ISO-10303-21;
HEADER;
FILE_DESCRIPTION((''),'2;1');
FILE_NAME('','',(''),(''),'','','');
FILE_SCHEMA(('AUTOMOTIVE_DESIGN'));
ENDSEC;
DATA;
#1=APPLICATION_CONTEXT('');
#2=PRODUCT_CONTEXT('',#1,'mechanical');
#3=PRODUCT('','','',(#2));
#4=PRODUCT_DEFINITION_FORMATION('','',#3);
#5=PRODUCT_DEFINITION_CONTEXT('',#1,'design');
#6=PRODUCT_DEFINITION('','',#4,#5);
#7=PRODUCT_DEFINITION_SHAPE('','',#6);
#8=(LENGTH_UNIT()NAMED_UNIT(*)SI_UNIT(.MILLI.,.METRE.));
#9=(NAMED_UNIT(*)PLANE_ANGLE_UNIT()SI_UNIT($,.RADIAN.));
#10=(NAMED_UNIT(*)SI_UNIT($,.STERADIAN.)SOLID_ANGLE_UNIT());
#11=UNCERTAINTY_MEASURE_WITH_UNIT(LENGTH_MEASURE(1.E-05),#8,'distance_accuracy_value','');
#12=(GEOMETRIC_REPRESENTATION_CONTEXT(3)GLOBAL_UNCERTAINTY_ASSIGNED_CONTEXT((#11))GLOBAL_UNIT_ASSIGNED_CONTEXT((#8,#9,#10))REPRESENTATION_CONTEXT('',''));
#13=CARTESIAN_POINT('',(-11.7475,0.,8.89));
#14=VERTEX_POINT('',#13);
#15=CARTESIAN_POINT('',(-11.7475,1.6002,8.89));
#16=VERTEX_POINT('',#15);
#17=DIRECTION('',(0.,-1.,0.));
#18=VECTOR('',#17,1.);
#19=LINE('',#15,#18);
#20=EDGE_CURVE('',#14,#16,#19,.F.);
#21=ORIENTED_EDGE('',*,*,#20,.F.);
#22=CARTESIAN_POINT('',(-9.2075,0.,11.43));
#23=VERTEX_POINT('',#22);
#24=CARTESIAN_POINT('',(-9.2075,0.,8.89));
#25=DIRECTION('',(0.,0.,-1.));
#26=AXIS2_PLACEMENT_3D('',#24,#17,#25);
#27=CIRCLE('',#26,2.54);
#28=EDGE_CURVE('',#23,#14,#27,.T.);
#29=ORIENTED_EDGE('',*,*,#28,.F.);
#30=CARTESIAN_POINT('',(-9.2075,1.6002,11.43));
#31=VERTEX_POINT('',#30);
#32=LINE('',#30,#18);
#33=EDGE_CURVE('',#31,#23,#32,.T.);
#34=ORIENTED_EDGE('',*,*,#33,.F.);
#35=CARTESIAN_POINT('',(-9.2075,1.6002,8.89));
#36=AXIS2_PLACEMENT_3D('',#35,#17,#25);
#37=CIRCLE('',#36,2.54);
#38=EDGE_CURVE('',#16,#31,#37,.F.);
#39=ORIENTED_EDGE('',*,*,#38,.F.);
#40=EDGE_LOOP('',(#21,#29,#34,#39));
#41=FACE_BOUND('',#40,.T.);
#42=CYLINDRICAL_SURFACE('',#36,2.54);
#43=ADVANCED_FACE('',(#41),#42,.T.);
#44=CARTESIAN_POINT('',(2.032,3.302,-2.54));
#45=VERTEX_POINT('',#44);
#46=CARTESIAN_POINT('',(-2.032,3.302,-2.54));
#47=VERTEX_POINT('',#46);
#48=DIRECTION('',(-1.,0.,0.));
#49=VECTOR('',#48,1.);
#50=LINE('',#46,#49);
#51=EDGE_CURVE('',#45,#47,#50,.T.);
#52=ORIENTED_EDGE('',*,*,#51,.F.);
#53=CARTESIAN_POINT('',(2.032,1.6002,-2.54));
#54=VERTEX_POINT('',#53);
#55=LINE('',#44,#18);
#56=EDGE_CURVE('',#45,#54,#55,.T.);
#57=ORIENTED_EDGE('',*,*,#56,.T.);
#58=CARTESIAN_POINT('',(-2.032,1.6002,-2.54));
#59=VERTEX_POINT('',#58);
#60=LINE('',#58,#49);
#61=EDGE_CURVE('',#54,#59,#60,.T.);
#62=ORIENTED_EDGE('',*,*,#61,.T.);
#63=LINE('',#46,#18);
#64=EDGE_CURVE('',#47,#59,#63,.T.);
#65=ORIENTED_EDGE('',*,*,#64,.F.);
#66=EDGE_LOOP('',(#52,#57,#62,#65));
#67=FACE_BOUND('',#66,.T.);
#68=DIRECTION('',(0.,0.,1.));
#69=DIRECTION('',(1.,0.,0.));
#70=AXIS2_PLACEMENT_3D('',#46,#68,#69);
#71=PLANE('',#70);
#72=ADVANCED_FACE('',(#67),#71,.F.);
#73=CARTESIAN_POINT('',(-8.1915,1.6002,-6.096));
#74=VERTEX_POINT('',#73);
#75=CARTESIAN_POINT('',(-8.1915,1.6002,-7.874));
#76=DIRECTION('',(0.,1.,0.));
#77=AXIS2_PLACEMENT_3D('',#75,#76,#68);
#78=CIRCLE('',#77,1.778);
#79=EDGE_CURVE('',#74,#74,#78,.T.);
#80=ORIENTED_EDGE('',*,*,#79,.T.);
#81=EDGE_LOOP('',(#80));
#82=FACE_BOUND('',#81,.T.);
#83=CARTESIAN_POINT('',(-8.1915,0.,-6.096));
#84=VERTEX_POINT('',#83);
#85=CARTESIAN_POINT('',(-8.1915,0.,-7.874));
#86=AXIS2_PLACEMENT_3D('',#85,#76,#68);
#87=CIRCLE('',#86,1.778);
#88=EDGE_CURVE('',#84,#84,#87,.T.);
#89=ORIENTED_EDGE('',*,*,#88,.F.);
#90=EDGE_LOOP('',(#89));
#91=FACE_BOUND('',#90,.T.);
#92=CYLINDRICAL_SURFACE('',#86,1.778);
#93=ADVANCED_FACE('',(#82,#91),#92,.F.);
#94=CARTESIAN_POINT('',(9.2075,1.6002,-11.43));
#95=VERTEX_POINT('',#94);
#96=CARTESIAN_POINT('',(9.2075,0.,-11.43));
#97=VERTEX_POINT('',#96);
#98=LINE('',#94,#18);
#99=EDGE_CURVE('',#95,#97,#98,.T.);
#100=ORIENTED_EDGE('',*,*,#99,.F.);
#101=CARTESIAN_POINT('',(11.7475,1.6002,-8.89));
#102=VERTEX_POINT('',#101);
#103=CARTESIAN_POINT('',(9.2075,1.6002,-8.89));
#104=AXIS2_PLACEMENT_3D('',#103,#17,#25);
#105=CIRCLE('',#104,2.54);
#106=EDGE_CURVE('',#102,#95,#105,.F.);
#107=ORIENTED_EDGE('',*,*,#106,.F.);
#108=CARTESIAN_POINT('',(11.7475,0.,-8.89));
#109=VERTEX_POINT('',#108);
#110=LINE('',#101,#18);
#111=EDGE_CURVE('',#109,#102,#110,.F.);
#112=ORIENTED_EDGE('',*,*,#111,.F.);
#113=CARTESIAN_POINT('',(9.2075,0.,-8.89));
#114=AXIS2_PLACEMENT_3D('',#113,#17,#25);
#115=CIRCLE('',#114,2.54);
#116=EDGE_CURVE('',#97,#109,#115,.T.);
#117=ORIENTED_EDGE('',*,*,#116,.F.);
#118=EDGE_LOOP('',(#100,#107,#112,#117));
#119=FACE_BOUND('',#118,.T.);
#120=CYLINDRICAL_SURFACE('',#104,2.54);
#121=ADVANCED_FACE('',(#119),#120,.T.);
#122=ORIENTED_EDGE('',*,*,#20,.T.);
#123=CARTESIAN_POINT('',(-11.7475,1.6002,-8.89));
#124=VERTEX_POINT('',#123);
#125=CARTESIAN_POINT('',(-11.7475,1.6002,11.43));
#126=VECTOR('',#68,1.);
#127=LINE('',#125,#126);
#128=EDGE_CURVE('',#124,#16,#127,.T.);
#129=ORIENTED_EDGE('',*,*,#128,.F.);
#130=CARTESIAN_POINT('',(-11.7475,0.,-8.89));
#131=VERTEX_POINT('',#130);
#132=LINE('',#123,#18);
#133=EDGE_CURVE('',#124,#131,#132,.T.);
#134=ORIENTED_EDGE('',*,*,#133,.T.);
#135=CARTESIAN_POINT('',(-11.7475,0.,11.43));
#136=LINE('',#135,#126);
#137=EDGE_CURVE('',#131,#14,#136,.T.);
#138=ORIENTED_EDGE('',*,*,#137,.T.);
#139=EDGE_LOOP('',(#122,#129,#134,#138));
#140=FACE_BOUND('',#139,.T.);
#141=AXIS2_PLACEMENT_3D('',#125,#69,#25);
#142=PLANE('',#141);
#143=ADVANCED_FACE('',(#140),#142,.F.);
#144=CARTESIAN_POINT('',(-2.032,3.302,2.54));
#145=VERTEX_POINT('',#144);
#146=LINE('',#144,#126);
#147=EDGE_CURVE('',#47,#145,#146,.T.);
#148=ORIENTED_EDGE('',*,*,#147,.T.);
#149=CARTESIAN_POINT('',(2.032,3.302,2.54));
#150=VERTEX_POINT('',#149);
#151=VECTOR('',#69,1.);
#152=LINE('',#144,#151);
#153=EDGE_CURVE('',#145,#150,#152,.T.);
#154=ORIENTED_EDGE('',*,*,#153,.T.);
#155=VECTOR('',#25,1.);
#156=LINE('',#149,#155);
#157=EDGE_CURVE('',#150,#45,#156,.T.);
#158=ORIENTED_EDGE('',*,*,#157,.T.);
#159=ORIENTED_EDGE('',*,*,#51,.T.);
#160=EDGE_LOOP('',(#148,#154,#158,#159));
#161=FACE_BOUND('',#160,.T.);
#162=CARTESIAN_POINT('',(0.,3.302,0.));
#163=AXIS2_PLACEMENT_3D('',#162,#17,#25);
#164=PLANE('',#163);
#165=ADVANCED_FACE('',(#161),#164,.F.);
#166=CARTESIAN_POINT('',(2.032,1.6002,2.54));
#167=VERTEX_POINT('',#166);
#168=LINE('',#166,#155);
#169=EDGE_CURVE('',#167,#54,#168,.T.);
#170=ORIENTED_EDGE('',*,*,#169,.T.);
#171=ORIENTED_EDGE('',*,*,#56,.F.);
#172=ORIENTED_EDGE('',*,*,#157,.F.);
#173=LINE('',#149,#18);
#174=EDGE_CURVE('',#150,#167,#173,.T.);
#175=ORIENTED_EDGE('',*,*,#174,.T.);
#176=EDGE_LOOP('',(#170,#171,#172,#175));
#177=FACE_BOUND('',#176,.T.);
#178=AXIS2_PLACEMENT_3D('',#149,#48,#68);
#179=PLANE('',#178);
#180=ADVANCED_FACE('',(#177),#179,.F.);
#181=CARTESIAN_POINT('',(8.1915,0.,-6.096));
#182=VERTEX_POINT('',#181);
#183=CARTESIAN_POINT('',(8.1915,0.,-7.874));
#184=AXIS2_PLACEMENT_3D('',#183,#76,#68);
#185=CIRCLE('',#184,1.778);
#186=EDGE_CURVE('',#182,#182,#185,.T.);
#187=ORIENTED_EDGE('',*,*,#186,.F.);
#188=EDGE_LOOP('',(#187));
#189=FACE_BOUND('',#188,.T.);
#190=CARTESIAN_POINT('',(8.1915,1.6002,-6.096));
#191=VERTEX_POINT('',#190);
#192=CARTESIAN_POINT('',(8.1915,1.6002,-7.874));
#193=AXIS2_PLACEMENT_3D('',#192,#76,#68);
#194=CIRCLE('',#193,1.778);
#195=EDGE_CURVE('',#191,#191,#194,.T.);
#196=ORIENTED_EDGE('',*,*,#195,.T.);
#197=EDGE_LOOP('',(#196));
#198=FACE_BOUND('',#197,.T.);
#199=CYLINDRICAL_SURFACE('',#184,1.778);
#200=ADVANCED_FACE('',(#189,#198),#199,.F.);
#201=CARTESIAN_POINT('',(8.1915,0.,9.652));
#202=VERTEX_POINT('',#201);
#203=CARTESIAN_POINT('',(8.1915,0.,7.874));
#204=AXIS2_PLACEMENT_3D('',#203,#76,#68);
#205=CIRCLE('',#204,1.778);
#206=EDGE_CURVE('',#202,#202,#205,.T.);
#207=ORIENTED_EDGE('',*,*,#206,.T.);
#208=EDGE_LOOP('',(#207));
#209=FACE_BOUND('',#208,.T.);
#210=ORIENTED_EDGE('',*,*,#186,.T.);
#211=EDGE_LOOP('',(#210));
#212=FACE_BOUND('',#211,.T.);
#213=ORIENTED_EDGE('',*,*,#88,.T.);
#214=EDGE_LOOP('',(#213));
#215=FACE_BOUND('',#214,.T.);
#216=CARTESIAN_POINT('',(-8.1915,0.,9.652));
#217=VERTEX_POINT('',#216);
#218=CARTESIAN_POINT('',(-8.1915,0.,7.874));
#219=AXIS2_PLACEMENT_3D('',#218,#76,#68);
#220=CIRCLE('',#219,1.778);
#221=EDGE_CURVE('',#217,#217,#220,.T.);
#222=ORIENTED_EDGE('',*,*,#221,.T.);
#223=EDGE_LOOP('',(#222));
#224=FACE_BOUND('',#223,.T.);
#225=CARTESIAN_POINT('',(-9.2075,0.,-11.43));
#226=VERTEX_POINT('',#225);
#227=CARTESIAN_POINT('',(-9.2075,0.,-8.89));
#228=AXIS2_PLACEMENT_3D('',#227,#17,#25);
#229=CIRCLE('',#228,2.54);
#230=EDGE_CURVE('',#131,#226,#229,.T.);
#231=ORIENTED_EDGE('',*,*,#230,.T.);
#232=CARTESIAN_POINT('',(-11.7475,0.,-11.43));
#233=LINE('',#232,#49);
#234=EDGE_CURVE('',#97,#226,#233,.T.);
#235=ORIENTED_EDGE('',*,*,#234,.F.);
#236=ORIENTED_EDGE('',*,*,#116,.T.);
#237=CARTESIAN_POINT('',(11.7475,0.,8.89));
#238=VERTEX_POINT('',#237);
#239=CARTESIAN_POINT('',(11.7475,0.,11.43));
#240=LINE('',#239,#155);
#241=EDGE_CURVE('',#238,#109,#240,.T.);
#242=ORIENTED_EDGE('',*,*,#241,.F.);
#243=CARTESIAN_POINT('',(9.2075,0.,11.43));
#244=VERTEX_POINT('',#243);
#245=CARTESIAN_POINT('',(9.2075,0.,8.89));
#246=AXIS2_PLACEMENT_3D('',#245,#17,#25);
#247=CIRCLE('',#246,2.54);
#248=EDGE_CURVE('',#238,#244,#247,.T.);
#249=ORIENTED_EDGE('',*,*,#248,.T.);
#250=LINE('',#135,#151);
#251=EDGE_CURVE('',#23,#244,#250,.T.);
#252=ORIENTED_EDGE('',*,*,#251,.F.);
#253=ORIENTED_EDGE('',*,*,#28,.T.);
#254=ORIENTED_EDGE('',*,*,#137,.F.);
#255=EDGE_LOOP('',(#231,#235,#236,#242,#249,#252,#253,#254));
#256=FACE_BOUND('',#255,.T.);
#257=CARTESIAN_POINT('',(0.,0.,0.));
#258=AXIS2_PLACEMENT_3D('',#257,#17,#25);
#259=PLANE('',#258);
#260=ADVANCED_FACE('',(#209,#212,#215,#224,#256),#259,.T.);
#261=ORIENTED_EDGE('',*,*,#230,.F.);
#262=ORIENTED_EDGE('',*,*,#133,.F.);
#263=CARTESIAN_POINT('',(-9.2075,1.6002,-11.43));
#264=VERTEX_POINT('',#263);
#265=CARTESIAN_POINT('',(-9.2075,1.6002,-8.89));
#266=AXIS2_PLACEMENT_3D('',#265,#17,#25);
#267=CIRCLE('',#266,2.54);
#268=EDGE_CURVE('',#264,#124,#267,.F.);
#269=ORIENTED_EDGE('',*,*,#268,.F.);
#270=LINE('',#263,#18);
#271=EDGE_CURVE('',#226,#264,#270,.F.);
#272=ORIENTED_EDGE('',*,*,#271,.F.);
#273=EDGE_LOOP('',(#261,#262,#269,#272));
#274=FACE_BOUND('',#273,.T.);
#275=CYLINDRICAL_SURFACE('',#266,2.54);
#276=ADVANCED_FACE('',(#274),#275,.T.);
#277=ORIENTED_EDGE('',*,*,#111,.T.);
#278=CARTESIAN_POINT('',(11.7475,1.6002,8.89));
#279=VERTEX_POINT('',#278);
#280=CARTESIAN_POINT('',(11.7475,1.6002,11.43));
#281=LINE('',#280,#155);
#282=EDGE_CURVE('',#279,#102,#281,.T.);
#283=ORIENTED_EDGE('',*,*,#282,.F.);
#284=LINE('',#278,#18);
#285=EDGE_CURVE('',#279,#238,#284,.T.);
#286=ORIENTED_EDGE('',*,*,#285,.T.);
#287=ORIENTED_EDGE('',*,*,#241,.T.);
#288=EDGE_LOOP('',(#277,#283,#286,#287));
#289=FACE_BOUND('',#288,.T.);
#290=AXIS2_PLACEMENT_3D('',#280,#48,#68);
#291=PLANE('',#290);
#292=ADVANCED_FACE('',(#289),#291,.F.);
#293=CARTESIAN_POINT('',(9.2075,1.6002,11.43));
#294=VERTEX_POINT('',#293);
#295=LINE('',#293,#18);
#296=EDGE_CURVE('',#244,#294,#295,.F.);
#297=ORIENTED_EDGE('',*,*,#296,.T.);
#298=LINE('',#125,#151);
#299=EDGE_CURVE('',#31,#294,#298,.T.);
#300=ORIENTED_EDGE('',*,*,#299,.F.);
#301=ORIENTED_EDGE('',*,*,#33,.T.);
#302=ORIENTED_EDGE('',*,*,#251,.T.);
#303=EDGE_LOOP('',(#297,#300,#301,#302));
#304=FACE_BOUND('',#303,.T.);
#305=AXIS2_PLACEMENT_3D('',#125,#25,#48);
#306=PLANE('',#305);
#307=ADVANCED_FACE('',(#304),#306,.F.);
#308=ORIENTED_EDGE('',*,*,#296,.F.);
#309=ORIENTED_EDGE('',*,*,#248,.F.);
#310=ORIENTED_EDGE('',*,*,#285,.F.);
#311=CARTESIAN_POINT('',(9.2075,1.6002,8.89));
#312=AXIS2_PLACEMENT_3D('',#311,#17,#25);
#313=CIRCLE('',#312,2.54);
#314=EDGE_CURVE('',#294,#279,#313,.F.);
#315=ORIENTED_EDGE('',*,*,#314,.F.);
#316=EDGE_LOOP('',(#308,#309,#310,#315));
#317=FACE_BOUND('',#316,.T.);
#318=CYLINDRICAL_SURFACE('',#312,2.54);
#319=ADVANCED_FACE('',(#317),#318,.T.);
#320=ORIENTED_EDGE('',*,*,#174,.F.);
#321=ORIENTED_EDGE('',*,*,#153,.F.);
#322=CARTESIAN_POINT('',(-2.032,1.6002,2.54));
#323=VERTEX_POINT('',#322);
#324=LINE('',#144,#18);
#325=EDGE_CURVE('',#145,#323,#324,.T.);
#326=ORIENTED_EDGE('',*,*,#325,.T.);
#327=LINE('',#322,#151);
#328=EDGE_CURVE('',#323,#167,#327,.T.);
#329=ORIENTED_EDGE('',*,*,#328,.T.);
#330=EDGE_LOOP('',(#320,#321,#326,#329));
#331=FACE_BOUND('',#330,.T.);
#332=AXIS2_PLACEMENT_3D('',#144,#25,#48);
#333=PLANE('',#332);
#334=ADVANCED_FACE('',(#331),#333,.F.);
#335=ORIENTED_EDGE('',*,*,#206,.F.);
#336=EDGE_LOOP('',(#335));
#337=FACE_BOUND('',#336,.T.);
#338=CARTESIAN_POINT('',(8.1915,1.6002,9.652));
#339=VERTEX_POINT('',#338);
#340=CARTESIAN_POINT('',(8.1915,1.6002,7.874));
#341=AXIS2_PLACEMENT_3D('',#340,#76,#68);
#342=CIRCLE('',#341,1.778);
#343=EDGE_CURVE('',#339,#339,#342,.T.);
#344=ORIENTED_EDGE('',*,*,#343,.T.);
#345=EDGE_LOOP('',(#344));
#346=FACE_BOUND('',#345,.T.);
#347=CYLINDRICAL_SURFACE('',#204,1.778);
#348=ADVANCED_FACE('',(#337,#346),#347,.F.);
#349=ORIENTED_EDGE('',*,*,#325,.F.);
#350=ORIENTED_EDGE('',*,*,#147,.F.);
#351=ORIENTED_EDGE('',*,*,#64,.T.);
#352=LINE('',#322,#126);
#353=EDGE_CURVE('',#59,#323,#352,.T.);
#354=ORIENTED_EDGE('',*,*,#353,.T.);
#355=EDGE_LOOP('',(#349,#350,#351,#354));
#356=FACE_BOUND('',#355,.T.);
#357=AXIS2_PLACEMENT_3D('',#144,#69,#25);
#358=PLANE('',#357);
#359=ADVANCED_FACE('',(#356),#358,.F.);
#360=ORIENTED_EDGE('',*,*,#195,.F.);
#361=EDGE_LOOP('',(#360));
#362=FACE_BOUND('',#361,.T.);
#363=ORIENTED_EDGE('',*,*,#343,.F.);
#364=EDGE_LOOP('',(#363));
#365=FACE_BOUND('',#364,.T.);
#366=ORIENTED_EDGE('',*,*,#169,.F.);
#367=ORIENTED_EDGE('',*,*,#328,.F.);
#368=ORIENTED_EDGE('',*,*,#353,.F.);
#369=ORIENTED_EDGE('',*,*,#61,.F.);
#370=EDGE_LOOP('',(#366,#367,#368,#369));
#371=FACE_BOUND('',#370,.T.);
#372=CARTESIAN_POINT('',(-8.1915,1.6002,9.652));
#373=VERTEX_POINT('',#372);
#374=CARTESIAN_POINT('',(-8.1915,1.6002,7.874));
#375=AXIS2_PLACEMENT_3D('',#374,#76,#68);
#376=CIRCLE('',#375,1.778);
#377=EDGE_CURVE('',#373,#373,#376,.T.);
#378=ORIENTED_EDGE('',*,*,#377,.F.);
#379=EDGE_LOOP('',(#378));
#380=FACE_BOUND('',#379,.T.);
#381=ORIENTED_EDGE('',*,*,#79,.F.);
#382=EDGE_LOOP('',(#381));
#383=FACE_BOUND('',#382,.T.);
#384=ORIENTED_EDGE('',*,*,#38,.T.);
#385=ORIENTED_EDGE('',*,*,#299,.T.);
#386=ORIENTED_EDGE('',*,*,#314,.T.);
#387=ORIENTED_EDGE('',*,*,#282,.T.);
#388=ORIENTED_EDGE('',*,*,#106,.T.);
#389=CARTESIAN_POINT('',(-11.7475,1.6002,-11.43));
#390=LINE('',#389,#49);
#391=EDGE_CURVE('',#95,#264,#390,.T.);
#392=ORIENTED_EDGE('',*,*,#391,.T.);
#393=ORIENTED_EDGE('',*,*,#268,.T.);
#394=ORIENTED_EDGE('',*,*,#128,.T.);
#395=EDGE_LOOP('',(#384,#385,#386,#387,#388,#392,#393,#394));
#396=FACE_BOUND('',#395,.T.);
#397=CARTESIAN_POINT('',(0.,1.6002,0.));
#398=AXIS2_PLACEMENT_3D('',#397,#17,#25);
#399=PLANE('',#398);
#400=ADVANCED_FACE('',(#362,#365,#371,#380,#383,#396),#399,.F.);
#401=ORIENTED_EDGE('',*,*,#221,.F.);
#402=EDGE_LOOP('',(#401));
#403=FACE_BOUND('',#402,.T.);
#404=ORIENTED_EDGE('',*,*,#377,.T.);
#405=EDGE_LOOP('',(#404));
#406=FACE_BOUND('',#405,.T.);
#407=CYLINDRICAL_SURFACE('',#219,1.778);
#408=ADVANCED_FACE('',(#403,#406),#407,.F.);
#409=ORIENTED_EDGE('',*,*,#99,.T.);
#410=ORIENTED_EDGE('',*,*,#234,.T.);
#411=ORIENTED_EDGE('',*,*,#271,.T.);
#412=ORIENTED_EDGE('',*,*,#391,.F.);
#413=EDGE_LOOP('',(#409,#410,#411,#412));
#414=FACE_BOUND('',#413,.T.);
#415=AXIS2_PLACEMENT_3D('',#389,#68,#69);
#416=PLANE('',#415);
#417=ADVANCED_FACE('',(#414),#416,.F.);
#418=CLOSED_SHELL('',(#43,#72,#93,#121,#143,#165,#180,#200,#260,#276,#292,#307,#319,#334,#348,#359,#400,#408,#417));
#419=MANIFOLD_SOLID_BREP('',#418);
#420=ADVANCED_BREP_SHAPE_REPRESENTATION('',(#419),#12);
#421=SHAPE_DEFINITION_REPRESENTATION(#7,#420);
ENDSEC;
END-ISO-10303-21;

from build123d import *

# Parameters (mm, degrees)
SKETCH1_W           = 23.495
SKETCH1_H           = 22.86
BOSS_EXTRUDE1_DEPTH = 1.6002
SKETCH2_W           = 4.064
SKETCH2_H           = 5.08
BOSS_EXTRUDE2_DEPTH = 1.7018
FILLET1_R           = 2.54
SKETCH4_R           = 1.778
CUT_EXTRUDE1_DEPTH  = 2.6002


with BuildPart() as part:
    # Sketch1 → Boss-Extrude1 (new body)
    with BuildSketch(Plane(origin=(0, 0, 0), x_dir=(1, 0, 0), z_dir=(0, 1, 0))):
        Rectangle(SKETCH1_W, SKETCH1_H)
    extrude(amount=BOSS_EXTRUDE1_DEPTH)

    # Sketch2 → Boss-Extrude2 (add)
    with BuildSketch(Plane(origin=(0, 1.6002, 0), x_dir=(1, 0, 0), z_dir=(0, 1, 0))):
        Rectangle(SKETCH2_W, SKETCH2_H)
    extrude(amount=BOSS_EXTRUDE2_DEPTH)

    # Fillet1
    fillet1_edges = [part.edges().sort_by_distance(p)[0] for p in [
        (11.7475, 0.8001, 11.43),
        (-11.7475, 0.8001, 11.43),
        (-11.7475, 0.8001, -11.43),
        (11.7475, 0.8001, -11.43),
    ]]
    fillet(fillet1_edges, radius=FILLET1_R)

    # Sketch4 → Cut-Extrude1 (cut, through all)
    with BuildSketch(Plane(origin=(0, 1.6002, 0), x_dir=(1, 0, 0), z_dir=(0, 1, 0))):
        with Locations((-8.1915, -7.874)):
            Circle(SKETCH4_R)
        with Locations((-8.1915, 7.874)):
            Circle(SKETCH4_R)
        with Locations((8.1915, 7.874)):
            Circle(SKETCH4_R)
        with Locations((8.1915, -7.874)):
            Circle(SKETCH4_R)
    extrude(amount=-CUT_EXTRUDE1_DEPTH, mode=Mode.SUBTRACT)


solid = part.part
